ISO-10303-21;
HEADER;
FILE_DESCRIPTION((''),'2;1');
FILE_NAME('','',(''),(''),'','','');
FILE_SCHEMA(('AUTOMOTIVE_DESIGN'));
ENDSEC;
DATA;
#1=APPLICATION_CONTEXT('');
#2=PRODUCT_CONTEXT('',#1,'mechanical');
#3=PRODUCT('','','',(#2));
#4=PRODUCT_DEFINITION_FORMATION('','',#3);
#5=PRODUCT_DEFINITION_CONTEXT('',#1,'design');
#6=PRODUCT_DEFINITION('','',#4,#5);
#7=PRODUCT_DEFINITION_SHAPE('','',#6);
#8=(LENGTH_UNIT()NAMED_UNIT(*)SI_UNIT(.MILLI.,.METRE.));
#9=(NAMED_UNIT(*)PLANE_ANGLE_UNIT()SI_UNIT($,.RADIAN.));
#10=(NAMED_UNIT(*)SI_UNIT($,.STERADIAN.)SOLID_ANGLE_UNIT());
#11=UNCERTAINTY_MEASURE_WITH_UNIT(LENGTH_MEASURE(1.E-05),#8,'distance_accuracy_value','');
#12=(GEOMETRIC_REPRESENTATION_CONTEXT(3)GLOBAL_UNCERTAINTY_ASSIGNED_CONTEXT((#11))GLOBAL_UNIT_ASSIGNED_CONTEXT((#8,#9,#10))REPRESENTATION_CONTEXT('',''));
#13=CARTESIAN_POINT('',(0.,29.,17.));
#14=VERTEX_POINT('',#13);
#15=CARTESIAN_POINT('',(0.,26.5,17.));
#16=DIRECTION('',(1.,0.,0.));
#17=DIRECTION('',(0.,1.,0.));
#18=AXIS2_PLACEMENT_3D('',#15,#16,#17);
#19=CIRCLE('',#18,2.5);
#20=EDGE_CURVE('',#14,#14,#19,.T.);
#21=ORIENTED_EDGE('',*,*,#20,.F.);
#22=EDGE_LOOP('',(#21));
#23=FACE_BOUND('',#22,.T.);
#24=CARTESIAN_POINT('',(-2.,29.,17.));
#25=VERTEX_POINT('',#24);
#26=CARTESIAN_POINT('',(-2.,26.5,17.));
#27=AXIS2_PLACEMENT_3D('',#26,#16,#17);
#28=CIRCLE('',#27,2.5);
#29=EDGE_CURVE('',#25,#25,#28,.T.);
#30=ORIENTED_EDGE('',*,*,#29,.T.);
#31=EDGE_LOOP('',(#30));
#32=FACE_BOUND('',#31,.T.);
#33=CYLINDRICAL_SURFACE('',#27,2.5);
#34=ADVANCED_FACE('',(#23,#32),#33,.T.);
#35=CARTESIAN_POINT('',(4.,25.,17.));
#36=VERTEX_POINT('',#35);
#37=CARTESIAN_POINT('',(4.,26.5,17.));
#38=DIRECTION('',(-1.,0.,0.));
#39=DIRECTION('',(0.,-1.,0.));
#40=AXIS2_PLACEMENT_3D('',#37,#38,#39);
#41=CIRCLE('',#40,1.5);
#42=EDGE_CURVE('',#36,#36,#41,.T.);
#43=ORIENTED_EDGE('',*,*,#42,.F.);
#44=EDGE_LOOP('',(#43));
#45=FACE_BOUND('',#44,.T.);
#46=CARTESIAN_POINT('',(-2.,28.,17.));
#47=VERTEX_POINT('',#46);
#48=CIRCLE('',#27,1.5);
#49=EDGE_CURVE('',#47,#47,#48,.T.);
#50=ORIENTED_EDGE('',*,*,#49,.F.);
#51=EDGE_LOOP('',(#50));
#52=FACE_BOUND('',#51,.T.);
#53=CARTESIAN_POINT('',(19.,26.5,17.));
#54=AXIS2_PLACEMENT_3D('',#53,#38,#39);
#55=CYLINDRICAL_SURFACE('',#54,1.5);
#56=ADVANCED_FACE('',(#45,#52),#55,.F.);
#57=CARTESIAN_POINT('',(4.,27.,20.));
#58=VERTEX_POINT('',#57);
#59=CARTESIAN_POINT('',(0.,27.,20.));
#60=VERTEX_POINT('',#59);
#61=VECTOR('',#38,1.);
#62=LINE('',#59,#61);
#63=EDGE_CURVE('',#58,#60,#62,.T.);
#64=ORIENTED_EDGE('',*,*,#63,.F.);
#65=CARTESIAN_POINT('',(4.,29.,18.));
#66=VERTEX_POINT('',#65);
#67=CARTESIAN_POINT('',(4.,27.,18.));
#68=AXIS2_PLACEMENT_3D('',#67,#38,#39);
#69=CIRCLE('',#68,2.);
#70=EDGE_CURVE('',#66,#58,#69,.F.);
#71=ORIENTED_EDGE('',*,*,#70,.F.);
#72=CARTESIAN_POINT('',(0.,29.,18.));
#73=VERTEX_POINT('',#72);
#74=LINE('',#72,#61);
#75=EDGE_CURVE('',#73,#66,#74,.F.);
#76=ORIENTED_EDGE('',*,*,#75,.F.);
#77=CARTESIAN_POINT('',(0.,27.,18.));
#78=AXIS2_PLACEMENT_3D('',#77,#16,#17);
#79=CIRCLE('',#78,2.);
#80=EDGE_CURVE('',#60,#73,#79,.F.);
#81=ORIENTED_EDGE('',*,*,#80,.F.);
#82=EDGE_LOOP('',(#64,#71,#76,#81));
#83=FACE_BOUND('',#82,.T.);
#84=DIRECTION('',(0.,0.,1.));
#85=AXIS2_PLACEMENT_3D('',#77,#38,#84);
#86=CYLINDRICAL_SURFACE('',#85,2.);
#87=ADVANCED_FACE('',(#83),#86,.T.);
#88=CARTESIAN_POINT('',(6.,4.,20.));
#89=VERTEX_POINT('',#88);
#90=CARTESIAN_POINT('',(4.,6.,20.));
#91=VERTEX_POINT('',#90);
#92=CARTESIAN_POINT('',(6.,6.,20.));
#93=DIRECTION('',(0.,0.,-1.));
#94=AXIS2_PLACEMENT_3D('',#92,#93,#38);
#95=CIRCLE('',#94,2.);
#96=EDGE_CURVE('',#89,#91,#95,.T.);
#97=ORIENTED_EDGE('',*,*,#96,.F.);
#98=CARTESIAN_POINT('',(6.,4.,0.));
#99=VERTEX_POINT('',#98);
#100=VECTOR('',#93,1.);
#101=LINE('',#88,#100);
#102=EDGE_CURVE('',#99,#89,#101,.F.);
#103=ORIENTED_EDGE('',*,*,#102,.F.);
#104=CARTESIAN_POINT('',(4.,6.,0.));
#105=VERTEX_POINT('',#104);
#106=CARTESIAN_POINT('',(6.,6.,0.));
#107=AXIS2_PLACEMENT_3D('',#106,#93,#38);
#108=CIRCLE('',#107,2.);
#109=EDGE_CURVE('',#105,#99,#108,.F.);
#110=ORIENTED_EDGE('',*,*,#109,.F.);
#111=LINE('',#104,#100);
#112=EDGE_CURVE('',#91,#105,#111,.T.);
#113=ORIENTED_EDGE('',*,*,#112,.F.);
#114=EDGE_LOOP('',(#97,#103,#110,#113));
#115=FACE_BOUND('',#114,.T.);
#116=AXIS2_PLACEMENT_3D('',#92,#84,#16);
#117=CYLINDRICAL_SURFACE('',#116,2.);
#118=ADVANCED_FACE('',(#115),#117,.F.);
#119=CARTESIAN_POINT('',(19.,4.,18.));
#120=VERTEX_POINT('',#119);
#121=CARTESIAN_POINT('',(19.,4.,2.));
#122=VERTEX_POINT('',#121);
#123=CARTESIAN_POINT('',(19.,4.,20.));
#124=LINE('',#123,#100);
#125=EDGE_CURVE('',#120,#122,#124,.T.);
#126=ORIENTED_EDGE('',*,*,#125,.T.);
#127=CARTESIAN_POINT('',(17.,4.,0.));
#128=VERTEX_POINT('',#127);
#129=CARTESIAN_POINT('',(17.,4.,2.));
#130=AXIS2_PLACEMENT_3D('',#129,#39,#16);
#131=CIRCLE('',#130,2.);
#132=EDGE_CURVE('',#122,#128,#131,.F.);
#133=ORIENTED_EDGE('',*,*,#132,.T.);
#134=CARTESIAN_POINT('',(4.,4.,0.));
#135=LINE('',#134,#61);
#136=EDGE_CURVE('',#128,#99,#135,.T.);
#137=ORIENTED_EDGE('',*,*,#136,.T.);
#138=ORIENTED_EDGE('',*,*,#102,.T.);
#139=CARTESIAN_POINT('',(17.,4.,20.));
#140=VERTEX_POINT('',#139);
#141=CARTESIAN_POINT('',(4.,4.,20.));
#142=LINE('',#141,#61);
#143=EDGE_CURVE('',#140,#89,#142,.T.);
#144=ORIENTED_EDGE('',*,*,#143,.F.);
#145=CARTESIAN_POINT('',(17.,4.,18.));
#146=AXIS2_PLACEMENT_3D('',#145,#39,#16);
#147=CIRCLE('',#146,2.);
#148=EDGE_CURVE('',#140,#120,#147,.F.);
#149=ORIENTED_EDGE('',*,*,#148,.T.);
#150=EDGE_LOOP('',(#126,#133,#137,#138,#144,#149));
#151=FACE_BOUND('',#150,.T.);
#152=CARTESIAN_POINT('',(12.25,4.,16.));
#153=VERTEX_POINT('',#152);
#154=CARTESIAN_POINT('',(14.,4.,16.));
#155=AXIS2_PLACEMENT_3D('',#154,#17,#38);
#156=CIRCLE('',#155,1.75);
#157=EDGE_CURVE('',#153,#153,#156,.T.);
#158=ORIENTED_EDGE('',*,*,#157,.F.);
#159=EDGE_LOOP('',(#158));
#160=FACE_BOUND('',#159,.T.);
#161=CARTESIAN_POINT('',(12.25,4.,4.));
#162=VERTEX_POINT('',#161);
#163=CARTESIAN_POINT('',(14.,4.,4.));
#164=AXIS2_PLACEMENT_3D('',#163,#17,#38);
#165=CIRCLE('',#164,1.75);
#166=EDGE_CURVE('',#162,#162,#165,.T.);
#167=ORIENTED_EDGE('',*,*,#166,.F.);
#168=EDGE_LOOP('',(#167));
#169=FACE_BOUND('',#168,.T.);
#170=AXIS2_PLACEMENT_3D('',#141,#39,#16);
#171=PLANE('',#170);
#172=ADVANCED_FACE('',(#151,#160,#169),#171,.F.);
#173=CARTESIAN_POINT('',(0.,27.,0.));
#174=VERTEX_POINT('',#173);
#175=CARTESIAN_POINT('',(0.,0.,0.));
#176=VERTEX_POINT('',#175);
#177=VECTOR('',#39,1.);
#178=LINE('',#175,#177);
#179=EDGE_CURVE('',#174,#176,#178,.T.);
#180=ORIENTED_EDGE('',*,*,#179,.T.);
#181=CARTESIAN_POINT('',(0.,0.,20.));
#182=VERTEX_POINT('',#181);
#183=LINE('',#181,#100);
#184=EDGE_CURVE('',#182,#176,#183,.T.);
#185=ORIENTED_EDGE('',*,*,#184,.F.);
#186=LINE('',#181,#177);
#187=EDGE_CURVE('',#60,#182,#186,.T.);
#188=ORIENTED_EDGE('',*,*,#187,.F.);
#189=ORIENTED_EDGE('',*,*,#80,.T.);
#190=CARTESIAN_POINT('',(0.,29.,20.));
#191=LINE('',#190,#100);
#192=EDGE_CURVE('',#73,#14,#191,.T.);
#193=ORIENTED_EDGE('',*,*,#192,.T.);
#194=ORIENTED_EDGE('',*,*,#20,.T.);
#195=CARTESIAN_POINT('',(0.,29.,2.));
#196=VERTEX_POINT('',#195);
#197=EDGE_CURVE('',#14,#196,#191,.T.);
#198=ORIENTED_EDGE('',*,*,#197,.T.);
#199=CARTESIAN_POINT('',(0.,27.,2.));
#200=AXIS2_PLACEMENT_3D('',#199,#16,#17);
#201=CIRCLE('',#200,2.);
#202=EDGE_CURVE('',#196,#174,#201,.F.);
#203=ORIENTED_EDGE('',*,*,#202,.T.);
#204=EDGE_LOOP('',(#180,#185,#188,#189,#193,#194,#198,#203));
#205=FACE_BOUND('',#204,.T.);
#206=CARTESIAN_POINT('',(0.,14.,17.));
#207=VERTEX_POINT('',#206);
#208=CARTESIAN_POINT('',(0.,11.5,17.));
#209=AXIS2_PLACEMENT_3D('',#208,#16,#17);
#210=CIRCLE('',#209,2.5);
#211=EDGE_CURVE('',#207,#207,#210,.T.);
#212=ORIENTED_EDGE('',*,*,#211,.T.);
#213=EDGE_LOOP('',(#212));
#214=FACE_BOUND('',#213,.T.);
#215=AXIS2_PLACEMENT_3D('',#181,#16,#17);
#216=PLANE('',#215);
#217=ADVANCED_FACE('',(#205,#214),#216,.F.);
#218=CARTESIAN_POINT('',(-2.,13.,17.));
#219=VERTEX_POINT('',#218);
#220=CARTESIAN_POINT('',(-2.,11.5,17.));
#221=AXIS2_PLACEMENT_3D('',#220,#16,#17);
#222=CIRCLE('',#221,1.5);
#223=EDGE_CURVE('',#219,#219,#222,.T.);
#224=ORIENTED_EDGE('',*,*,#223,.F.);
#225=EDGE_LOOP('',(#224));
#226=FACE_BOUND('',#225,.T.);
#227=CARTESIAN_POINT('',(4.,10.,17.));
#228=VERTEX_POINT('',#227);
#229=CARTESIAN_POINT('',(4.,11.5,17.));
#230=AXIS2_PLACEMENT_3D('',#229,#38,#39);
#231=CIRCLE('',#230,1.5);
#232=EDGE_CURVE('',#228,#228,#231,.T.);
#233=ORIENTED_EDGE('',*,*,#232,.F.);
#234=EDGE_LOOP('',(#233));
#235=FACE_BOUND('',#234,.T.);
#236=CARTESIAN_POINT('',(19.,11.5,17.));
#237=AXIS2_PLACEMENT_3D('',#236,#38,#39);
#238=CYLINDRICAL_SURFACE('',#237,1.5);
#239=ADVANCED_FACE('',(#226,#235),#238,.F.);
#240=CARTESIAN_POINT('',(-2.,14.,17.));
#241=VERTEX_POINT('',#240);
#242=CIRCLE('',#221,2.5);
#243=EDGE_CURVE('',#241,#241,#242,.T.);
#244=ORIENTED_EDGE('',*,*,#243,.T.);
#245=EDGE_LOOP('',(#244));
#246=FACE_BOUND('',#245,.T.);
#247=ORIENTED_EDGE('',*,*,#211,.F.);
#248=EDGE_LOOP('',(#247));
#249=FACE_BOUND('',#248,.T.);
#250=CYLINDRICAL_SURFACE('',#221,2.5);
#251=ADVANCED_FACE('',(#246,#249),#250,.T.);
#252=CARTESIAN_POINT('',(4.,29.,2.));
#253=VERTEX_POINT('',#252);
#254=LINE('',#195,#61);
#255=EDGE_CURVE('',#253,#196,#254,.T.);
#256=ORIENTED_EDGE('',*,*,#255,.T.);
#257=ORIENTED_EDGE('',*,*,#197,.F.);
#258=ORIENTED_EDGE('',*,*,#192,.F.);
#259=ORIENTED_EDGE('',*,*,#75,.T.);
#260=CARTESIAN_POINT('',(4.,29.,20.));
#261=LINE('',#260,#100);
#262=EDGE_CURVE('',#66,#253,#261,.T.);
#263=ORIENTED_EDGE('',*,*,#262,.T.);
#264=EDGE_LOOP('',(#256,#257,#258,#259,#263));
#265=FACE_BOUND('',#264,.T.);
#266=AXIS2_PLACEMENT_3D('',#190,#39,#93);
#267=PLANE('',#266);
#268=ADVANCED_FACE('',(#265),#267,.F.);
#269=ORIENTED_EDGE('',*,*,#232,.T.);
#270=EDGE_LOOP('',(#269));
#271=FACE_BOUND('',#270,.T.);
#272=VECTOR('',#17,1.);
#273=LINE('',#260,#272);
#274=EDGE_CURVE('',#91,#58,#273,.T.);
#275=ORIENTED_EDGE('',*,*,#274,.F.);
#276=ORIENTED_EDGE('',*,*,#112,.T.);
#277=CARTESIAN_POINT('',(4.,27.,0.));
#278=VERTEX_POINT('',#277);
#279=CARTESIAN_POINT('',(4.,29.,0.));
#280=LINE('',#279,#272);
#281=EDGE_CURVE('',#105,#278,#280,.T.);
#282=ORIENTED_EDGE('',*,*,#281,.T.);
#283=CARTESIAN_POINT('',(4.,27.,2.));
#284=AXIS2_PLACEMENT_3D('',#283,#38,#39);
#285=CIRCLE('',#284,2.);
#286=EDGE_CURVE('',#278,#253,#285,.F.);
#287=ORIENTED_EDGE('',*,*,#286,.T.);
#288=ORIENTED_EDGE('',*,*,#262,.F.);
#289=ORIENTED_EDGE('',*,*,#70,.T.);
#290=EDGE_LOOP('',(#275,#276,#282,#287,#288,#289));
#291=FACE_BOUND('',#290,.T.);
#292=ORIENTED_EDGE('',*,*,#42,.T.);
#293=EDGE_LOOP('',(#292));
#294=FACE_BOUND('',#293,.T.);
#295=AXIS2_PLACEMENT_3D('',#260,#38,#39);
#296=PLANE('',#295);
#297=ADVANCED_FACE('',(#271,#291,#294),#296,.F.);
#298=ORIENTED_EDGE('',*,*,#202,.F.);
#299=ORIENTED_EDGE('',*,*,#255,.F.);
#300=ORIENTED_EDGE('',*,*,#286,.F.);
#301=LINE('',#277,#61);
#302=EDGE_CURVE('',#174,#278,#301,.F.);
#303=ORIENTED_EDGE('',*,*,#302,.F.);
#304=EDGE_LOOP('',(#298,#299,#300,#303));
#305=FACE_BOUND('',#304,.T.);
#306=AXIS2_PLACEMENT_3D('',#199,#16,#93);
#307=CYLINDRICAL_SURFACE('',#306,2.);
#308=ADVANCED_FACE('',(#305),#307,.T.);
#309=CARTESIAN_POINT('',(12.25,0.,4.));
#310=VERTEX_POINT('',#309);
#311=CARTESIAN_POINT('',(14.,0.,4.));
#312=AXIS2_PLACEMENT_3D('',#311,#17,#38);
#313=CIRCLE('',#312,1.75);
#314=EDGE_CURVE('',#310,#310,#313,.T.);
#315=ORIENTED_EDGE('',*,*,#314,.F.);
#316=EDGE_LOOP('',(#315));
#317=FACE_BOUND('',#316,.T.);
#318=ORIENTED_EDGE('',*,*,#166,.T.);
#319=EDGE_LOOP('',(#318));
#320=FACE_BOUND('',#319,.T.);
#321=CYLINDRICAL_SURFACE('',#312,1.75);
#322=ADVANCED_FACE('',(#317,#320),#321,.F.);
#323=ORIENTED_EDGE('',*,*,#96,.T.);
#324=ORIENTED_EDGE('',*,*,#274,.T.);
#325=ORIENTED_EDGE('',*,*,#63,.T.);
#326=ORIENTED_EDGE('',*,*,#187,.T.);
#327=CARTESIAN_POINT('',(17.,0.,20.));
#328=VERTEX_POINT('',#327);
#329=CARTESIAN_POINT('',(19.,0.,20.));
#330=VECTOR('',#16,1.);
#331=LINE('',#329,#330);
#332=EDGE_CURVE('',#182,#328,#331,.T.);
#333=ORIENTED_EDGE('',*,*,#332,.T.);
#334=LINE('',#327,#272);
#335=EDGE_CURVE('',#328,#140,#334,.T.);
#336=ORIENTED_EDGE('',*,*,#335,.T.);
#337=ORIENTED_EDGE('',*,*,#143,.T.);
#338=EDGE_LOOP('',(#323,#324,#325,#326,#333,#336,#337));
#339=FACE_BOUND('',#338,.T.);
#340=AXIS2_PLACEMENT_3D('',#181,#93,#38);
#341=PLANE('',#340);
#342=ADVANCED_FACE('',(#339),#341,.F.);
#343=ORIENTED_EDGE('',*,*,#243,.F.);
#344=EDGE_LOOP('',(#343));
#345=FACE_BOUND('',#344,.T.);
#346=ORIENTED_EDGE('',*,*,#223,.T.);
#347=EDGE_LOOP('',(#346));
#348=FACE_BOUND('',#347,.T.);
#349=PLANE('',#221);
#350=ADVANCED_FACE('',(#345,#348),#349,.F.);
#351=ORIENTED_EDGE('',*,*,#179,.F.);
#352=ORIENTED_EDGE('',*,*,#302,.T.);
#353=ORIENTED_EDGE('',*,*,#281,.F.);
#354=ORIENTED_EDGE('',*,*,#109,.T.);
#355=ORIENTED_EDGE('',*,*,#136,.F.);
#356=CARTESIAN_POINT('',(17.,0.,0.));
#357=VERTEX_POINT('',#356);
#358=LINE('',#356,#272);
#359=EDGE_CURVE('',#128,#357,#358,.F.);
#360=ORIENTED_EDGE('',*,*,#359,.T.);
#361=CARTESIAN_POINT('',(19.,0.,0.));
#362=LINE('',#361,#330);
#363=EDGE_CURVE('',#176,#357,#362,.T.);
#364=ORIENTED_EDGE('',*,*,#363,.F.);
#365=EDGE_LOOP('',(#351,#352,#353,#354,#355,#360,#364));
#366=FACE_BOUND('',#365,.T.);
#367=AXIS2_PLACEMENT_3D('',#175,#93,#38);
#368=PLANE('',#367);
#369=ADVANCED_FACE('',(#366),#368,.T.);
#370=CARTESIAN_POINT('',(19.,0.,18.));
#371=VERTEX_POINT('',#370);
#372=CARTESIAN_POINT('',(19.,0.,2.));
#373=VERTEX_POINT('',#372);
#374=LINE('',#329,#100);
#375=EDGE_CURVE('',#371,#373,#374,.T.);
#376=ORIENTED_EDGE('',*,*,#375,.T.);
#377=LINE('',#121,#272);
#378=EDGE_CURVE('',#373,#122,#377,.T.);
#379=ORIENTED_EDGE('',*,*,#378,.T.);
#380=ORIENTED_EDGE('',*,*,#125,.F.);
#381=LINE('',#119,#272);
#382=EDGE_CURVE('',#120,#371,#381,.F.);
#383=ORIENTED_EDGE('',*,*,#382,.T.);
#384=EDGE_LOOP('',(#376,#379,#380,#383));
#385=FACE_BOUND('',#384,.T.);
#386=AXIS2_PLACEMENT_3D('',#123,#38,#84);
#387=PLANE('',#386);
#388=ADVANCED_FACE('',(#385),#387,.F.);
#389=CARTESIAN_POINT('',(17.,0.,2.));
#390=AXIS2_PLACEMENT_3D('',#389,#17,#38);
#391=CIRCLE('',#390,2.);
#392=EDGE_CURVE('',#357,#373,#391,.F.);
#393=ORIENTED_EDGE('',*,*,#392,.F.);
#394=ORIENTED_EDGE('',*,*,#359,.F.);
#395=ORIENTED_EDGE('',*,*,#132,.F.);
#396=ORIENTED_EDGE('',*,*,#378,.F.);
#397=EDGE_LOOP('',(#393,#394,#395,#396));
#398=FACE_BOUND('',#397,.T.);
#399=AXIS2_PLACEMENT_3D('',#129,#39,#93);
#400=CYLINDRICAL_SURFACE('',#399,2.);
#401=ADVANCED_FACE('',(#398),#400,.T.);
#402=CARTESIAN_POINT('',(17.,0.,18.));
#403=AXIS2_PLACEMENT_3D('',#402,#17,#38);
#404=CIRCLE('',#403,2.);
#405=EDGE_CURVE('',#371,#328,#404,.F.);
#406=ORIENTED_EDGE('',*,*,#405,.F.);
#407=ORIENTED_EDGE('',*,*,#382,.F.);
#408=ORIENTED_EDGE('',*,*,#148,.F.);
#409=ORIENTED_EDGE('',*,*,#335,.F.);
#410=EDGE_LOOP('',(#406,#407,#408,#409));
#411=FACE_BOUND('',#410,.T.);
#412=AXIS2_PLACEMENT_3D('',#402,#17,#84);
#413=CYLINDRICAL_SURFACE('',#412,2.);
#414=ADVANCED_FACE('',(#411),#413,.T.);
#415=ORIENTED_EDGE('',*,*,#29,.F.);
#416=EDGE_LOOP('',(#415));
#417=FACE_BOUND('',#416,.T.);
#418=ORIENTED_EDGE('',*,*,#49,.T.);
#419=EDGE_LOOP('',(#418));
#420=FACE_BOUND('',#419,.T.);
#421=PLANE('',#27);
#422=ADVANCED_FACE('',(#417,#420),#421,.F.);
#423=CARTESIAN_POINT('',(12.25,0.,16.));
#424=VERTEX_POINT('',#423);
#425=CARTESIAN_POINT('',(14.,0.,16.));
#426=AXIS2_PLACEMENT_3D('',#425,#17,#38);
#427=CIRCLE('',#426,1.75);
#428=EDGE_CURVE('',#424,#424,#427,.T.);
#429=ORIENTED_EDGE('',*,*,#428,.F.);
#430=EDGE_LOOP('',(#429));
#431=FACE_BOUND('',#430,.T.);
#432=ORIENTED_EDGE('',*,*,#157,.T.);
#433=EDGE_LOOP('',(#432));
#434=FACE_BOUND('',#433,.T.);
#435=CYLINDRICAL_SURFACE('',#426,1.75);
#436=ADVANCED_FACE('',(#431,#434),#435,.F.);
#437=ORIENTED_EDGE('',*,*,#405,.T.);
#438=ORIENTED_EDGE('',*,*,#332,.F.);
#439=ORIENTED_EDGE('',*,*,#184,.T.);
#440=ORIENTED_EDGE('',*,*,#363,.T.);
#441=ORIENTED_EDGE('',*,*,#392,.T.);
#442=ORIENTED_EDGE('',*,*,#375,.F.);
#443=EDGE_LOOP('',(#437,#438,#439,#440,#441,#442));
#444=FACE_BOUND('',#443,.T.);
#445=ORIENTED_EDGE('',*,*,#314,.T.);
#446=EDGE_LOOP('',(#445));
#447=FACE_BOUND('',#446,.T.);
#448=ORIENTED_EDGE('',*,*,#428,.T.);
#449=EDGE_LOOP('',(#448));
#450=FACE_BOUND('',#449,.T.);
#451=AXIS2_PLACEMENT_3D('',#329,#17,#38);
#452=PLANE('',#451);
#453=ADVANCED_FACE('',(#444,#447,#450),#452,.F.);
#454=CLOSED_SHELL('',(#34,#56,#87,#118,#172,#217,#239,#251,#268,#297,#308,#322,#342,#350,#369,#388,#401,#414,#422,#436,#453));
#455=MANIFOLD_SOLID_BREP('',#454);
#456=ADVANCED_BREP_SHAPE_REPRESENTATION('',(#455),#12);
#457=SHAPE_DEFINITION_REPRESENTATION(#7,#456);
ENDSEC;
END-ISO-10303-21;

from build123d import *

# Parameters (mm, degrees)
BOSS_EXTRUDE1_DEPTH = 20
SKETCH2_R           = 1.5
CUT_EXTRUDE1_DEPTH  = 20
SKETCH3_R           = 1.75
CUT_EXTRUDE2_DEPTH  = 5
FILLET1_R           = 2
BOSS_EXTRUDE2_START = -4
SKETCH4_R           = 2.5
SKETCH4_R_2         = 1.5
BOSS_EXTRUDE2_DEPTH = 2


with BuildPart() as part:
    # Sketch1 → Boss-Extrude1 (new body)
    with BuildSketch(Plane.XY):
        Polygon((0, 0), (0, 29), (4, 29), (4, 4), (19, 4), (19, 0), align=None)
    extrude(amount=BOSS_EXTRUDE1_DEPTH)

    # Sketch2 → Cut-Extrude1 (cut, through all)
    with BuildSketch(Plane.ZY):
        with Locations((17, 26.5)):
            Circle(SKETCH2_R)
        with Locations((17, 11.5)):
            Circle(SKETCH2_R)
    extrude(amount=-CUT_EXTRUDE1_DEPTH, mode=Mode.SUBTRACT)

    # Sketch3 → Cut-Extrude2 (cut, through all)
    with BuildSketch(Plane(origin=(0, 4, 0), x_dir=(1, 0, 0), z_dir=(0, 1, 0))):
        with Locations((14, -4)):
            Circle(SKETCH3_R)
        with Locations((14, -16)):
            Circle(SKETCH3_R)
    extrude(amount=-CUT_EXTRUDE2_DEPTH, mode=Mode.SUBTRACT)

    # Fillet1
    fillet1_edges = [part.edges().sort_by_distance(p)[0] for p in [
        (4, 4, 10),
        (2, 29, 20),
        (2, 29, 0),
        (19, 2, 0),
        (19, 2, 20),
    ]]
    fillet(fillet1_edges, radius=FILLET1_R)

    # Sketch4 → Boss-Extrude2 (add)
    with BuildSketch(Plane(origin=(4, 0, 0), x_dir=(0, 0, -1), z_dir=(1, 0, 0)).offset(BOSS_EXTRUDE2_START)):
        with Locations((-17, 26.5)):
            Circle(SKETCH4_R)
        with Locations((-17, 26.5)):
            Circle(SKETCH4_R_2, mode=Mode.SUBTRACT)
        with Locations((-17, 11.5)):
            Circle(SKETCH4_R)
        with Locations((-17, 11.5)):
            Circle(SKETCH4_R_2, mode=Mode.SUBTRACT)
    extrude(amount=-BOSS_EXTRUDE2_DEPTH)


solid = part.part
